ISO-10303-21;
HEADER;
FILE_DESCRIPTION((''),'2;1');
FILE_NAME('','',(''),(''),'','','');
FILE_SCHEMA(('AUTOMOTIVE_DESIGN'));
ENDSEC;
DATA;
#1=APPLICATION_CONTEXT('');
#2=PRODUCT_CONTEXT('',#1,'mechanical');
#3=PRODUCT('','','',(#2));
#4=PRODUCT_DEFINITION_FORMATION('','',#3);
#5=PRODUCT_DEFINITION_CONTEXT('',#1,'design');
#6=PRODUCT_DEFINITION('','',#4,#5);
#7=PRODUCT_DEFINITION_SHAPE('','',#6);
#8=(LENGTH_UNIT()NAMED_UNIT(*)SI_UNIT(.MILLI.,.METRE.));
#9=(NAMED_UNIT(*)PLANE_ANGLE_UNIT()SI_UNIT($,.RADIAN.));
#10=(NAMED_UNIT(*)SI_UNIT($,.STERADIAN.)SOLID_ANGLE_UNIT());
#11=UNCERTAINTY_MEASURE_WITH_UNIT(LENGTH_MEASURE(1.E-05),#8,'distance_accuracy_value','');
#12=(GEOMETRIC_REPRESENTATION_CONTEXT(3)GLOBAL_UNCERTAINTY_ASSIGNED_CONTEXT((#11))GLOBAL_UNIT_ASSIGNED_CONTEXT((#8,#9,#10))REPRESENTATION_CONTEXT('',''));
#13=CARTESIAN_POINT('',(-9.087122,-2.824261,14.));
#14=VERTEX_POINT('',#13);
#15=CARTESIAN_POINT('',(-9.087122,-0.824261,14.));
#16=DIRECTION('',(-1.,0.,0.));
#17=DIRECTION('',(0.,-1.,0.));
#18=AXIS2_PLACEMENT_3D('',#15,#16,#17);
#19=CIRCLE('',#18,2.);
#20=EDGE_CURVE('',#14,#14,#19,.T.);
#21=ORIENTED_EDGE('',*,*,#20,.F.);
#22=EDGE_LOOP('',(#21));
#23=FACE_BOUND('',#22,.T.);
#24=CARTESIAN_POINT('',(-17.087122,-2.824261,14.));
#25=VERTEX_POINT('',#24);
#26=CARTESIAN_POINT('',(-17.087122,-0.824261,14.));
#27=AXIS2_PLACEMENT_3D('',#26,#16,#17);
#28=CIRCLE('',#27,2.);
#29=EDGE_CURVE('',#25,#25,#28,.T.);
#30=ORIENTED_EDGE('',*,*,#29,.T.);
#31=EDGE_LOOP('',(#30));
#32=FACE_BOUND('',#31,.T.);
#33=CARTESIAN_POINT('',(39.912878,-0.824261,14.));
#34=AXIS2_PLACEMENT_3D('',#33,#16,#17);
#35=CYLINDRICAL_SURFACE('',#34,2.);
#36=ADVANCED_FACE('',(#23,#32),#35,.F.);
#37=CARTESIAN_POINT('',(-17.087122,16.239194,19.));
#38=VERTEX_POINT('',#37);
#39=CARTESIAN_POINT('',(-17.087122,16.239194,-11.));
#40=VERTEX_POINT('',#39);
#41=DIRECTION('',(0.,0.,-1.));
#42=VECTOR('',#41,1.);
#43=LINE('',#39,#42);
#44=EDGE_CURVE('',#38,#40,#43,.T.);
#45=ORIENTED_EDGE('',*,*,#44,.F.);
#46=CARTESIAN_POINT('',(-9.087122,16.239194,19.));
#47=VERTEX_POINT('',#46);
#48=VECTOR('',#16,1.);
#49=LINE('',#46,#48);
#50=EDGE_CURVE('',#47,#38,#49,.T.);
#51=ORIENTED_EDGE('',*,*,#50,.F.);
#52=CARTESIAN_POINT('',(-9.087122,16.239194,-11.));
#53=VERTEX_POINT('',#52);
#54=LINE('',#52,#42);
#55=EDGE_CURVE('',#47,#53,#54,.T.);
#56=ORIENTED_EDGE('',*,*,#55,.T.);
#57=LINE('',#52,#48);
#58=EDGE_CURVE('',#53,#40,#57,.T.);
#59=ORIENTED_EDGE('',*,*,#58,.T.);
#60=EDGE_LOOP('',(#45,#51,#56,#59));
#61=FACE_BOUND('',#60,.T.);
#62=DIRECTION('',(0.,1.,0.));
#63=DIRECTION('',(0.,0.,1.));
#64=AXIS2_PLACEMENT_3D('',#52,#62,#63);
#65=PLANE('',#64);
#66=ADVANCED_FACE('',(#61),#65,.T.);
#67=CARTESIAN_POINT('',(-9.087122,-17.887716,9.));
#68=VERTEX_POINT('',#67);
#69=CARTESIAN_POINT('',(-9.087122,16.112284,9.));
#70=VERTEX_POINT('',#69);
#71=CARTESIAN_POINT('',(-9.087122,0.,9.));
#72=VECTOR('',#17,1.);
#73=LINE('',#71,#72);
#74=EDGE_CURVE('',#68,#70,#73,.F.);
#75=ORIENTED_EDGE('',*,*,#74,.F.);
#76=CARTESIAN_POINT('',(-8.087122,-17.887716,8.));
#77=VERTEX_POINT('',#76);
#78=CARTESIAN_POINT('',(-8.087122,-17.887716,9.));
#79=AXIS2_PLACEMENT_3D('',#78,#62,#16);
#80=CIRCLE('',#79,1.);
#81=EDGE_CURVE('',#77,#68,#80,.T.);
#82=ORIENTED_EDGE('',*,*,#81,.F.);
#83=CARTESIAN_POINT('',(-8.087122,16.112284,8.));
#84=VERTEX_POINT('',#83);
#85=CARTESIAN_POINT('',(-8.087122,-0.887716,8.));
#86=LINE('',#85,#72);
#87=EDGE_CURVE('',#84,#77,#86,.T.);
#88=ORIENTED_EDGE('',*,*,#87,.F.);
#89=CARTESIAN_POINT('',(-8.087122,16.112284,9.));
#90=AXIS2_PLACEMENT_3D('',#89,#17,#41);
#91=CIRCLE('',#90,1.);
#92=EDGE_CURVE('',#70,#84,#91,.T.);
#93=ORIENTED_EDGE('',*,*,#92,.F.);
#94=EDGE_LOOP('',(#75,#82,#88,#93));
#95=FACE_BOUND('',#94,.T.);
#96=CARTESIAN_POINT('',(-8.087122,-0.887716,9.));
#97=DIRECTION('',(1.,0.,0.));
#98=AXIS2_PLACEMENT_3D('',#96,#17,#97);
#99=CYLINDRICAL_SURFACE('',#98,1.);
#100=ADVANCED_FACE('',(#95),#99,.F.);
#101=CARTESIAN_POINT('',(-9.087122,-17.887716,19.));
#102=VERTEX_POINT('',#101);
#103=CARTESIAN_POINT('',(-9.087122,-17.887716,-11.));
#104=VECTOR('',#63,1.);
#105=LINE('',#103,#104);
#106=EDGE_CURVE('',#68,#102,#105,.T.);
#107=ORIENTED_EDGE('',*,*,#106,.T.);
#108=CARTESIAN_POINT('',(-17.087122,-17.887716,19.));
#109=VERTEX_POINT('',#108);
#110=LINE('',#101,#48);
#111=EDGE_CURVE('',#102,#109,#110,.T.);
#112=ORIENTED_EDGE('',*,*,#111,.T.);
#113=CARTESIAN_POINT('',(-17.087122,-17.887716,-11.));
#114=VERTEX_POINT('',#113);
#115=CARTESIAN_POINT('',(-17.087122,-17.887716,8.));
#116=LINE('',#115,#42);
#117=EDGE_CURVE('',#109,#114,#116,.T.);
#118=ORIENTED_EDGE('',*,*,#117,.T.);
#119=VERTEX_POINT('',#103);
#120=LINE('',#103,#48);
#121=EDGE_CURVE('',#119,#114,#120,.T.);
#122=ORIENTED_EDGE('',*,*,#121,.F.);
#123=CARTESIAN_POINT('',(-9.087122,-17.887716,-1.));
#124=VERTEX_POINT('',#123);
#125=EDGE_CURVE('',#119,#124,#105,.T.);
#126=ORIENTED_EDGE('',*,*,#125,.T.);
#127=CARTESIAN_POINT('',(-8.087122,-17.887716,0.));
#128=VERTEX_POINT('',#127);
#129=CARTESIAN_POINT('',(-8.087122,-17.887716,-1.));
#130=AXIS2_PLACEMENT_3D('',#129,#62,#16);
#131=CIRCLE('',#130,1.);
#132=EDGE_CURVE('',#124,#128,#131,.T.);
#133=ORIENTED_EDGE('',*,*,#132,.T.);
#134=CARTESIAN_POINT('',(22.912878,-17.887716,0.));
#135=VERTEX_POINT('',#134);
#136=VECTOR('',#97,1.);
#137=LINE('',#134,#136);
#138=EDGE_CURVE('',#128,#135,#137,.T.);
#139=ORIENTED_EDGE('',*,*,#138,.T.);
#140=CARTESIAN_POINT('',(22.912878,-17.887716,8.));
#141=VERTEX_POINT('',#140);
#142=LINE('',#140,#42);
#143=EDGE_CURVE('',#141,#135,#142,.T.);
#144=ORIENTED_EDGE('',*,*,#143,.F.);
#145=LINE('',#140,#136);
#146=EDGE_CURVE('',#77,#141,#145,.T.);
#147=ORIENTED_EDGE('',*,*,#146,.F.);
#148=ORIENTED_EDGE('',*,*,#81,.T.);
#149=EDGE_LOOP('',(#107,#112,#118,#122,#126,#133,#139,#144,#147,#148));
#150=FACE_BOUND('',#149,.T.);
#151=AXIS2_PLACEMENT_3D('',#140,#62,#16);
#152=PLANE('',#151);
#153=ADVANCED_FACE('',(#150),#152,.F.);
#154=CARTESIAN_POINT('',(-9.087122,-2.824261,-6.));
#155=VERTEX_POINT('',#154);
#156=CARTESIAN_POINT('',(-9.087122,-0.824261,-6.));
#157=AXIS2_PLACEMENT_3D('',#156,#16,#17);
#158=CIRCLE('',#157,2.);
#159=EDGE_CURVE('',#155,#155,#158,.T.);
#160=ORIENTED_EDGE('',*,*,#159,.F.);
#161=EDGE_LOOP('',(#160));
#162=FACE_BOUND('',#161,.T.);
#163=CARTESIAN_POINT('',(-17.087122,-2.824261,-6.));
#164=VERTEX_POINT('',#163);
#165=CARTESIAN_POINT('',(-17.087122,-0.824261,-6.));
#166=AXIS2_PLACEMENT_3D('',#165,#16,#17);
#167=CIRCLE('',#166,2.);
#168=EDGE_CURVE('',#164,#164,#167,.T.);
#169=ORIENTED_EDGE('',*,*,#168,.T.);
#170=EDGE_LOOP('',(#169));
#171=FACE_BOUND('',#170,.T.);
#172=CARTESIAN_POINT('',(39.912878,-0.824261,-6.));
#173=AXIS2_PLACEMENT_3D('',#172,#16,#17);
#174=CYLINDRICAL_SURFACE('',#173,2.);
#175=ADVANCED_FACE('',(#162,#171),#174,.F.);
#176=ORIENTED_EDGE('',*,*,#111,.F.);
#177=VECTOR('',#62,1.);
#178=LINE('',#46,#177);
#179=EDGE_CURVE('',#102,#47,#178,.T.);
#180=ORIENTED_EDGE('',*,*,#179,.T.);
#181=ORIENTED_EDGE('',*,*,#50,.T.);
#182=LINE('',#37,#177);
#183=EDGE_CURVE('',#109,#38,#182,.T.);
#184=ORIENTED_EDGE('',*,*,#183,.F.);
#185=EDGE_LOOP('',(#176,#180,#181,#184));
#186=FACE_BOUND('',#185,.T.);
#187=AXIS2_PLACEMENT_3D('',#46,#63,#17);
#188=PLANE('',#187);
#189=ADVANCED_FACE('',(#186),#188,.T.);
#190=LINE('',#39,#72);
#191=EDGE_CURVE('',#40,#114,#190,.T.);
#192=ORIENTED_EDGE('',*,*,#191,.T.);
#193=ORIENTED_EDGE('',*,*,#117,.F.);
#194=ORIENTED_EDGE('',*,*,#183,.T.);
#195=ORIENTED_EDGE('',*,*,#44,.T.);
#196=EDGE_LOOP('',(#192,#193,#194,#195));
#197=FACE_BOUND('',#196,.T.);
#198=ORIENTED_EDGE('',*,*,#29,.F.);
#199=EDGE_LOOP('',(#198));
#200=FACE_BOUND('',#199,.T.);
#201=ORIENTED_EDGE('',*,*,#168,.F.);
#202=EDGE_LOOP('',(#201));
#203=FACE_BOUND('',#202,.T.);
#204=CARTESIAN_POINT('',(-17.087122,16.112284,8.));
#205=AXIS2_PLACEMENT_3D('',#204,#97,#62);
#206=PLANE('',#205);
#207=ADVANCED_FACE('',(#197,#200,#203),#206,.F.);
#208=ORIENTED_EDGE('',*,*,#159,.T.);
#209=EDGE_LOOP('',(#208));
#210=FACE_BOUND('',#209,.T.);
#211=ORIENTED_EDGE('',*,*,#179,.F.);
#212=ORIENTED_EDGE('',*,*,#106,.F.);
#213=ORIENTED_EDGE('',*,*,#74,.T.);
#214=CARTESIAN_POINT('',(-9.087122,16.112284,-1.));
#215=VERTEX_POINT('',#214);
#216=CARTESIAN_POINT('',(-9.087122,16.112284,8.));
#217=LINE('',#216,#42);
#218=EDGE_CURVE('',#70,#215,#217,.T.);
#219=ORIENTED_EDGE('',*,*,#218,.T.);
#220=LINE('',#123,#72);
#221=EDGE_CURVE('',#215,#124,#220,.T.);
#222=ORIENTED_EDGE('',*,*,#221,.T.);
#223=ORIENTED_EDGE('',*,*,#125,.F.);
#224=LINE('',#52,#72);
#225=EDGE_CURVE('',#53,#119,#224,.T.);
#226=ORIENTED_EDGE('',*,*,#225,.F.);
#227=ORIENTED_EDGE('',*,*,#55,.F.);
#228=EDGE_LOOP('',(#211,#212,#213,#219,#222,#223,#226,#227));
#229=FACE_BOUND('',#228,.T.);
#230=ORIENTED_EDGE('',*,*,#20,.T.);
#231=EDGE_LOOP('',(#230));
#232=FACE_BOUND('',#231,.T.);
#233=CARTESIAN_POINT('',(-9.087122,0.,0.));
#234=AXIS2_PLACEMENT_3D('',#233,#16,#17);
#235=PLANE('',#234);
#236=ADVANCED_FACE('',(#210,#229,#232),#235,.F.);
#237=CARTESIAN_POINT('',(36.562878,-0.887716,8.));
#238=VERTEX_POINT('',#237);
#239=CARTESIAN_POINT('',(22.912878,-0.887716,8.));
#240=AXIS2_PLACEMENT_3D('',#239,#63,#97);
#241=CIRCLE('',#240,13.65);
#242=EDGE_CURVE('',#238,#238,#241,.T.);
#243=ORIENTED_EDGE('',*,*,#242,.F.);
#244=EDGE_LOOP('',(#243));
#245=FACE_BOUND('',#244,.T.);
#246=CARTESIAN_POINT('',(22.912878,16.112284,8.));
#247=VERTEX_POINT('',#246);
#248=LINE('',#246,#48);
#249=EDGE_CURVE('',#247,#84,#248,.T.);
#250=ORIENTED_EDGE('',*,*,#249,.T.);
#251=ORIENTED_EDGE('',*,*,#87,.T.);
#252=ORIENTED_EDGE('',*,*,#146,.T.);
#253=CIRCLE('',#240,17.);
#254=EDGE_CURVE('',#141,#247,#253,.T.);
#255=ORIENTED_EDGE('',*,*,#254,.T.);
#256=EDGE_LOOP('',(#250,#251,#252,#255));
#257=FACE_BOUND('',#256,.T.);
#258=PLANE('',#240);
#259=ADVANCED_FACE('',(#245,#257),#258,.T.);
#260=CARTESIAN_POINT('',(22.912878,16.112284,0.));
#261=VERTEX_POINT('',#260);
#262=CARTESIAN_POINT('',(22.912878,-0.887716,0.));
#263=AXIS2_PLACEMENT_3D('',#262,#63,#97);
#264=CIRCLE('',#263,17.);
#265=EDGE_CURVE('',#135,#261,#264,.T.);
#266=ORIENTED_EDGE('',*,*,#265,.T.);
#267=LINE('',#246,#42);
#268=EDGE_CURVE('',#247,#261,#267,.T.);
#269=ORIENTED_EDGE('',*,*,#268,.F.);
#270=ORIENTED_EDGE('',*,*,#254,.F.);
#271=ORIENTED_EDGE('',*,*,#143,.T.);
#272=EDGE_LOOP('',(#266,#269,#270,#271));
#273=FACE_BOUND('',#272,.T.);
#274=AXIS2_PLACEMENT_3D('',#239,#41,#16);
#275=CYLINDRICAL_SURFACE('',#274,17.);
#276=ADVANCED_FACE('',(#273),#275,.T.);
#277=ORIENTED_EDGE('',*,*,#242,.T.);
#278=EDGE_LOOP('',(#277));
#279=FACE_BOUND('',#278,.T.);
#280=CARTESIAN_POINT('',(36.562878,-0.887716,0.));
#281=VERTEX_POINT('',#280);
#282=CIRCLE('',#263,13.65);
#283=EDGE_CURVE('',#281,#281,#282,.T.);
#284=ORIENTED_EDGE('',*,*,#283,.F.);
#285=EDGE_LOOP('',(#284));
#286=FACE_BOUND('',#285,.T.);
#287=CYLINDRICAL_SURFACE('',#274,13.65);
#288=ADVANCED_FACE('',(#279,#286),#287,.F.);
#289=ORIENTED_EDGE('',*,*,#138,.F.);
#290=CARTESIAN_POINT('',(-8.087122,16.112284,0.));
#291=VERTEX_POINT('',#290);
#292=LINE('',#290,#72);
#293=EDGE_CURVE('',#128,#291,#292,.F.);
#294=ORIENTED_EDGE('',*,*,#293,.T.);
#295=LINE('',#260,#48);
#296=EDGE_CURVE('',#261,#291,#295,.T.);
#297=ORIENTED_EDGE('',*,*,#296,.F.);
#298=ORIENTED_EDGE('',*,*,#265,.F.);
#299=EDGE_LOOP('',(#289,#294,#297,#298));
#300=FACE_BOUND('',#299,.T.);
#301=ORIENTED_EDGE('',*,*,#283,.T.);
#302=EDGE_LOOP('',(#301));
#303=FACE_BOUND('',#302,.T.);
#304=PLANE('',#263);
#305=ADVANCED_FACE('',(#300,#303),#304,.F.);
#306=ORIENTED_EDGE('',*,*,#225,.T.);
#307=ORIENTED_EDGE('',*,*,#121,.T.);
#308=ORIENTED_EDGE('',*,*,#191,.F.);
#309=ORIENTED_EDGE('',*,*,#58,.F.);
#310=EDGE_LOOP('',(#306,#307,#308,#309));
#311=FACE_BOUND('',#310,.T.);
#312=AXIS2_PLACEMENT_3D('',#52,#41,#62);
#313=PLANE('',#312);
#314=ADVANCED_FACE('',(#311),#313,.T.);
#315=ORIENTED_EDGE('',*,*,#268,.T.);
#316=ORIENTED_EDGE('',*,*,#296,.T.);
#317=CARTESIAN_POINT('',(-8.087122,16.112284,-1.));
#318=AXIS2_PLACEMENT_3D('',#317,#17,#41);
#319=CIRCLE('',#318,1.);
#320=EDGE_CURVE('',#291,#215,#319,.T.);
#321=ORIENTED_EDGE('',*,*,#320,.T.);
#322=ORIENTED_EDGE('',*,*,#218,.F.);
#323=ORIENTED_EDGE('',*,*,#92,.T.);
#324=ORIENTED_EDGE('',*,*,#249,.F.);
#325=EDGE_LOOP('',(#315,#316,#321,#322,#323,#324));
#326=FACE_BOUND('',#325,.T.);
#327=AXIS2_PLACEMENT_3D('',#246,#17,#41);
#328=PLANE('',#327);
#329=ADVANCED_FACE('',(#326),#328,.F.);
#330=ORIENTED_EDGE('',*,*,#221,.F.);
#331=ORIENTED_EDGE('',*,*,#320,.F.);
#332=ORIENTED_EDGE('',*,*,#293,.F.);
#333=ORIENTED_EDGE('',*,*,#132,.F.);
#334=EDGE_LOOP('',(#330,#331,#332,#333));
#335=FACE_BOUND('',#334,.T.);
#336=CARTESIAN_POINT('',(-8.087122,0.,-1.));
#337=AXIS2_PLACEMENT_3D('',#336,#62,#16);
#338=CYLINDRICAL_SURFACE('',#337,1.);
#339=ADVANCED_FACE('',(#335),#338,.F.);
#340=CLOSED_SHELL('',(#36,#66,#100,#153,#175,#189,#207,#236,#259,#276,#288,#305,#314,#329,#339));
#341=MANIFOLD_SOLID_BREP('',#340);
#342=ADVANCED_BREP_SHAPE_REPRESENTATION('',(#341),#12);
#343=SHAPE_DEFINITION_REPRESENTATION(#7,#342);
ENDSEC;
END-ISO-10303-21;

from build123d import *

# Parameters (mm, degrees)
SKETCH2_R           = 13.65
BOSS_EXTRUDE1_DEPTH = 8
SKETCH3_W           = 30
SKETCH3_H           = 34.126910457
BOSS_EXTRUDE2_DEPTH = 8
FILLET1_R           = 1
SKETCH5_R           = 2
CUT_EXTRUDE2_DEPTH  = 63.689475997


with BuildPart() as part:
    # Sketch2 → Boss-Extrude1 (new body)
    with BuildSketch(Plane.XY):
        with BuildLine():
            Line((22.912878475, 16.112283523), (-17.087121525, 16.112283523))
            Line((-17.087121525, 16.112283523), (-17.087121525, -17.887716477))
            Line((-17.087121525, -17.887716477), (22.912878475, -17.887716477))
            ThreePointArc((22.912878475, -17.887716477), (39.912878475, -0.887716477), (22.912878475, 16.112283523))
        make_face()
        with Locations((22.912878475, -0.887716477)):
            Circle(SKETCH2_R, mode=Mode.SUBTRACT)
    extrude(amount=BOSS_EXTRUDE1_DEPTH)

    # Sketch3 → Boss-Extrude2 (add)
    with BuildSketch(Plane.ZY.offset(17.087121525)):
        with Locations((4, -0.824261249)):
            Rectangle(SKETCH3_W, SKETCH3_H)
    extrude(amount=-BOSS_EXTRUDE2_DEPTH)

    # Fillet1
    fillet1_edges = [part.edges().sort_by_distance(p)[0] for p in [
        (-9.087121525, -0.887716477, 8),
        (-9.087121525, -0.887716477, 0),
    ]]
    fillet(fillet1_edges, radius=FILLET1_R)

    # Sketch5 → Cut-Extrude2 (cut, through all)
    with BuildSketch(Plane.ZY.offset(17.087121525)):
        with Locations(Location((-6, -0.824261249, 0), (0, 0, 270))):
            Circle(SKETCH5_R)
        with Locations(Location((14, -0.824261249, 0), (0, 0, 270))):
            Circle(SKETCH5_R)
    extrude(amount=-CUT_EXTRUDE2_DEPTH, mode=Mode.SUBTRACT)


solid = part.part
